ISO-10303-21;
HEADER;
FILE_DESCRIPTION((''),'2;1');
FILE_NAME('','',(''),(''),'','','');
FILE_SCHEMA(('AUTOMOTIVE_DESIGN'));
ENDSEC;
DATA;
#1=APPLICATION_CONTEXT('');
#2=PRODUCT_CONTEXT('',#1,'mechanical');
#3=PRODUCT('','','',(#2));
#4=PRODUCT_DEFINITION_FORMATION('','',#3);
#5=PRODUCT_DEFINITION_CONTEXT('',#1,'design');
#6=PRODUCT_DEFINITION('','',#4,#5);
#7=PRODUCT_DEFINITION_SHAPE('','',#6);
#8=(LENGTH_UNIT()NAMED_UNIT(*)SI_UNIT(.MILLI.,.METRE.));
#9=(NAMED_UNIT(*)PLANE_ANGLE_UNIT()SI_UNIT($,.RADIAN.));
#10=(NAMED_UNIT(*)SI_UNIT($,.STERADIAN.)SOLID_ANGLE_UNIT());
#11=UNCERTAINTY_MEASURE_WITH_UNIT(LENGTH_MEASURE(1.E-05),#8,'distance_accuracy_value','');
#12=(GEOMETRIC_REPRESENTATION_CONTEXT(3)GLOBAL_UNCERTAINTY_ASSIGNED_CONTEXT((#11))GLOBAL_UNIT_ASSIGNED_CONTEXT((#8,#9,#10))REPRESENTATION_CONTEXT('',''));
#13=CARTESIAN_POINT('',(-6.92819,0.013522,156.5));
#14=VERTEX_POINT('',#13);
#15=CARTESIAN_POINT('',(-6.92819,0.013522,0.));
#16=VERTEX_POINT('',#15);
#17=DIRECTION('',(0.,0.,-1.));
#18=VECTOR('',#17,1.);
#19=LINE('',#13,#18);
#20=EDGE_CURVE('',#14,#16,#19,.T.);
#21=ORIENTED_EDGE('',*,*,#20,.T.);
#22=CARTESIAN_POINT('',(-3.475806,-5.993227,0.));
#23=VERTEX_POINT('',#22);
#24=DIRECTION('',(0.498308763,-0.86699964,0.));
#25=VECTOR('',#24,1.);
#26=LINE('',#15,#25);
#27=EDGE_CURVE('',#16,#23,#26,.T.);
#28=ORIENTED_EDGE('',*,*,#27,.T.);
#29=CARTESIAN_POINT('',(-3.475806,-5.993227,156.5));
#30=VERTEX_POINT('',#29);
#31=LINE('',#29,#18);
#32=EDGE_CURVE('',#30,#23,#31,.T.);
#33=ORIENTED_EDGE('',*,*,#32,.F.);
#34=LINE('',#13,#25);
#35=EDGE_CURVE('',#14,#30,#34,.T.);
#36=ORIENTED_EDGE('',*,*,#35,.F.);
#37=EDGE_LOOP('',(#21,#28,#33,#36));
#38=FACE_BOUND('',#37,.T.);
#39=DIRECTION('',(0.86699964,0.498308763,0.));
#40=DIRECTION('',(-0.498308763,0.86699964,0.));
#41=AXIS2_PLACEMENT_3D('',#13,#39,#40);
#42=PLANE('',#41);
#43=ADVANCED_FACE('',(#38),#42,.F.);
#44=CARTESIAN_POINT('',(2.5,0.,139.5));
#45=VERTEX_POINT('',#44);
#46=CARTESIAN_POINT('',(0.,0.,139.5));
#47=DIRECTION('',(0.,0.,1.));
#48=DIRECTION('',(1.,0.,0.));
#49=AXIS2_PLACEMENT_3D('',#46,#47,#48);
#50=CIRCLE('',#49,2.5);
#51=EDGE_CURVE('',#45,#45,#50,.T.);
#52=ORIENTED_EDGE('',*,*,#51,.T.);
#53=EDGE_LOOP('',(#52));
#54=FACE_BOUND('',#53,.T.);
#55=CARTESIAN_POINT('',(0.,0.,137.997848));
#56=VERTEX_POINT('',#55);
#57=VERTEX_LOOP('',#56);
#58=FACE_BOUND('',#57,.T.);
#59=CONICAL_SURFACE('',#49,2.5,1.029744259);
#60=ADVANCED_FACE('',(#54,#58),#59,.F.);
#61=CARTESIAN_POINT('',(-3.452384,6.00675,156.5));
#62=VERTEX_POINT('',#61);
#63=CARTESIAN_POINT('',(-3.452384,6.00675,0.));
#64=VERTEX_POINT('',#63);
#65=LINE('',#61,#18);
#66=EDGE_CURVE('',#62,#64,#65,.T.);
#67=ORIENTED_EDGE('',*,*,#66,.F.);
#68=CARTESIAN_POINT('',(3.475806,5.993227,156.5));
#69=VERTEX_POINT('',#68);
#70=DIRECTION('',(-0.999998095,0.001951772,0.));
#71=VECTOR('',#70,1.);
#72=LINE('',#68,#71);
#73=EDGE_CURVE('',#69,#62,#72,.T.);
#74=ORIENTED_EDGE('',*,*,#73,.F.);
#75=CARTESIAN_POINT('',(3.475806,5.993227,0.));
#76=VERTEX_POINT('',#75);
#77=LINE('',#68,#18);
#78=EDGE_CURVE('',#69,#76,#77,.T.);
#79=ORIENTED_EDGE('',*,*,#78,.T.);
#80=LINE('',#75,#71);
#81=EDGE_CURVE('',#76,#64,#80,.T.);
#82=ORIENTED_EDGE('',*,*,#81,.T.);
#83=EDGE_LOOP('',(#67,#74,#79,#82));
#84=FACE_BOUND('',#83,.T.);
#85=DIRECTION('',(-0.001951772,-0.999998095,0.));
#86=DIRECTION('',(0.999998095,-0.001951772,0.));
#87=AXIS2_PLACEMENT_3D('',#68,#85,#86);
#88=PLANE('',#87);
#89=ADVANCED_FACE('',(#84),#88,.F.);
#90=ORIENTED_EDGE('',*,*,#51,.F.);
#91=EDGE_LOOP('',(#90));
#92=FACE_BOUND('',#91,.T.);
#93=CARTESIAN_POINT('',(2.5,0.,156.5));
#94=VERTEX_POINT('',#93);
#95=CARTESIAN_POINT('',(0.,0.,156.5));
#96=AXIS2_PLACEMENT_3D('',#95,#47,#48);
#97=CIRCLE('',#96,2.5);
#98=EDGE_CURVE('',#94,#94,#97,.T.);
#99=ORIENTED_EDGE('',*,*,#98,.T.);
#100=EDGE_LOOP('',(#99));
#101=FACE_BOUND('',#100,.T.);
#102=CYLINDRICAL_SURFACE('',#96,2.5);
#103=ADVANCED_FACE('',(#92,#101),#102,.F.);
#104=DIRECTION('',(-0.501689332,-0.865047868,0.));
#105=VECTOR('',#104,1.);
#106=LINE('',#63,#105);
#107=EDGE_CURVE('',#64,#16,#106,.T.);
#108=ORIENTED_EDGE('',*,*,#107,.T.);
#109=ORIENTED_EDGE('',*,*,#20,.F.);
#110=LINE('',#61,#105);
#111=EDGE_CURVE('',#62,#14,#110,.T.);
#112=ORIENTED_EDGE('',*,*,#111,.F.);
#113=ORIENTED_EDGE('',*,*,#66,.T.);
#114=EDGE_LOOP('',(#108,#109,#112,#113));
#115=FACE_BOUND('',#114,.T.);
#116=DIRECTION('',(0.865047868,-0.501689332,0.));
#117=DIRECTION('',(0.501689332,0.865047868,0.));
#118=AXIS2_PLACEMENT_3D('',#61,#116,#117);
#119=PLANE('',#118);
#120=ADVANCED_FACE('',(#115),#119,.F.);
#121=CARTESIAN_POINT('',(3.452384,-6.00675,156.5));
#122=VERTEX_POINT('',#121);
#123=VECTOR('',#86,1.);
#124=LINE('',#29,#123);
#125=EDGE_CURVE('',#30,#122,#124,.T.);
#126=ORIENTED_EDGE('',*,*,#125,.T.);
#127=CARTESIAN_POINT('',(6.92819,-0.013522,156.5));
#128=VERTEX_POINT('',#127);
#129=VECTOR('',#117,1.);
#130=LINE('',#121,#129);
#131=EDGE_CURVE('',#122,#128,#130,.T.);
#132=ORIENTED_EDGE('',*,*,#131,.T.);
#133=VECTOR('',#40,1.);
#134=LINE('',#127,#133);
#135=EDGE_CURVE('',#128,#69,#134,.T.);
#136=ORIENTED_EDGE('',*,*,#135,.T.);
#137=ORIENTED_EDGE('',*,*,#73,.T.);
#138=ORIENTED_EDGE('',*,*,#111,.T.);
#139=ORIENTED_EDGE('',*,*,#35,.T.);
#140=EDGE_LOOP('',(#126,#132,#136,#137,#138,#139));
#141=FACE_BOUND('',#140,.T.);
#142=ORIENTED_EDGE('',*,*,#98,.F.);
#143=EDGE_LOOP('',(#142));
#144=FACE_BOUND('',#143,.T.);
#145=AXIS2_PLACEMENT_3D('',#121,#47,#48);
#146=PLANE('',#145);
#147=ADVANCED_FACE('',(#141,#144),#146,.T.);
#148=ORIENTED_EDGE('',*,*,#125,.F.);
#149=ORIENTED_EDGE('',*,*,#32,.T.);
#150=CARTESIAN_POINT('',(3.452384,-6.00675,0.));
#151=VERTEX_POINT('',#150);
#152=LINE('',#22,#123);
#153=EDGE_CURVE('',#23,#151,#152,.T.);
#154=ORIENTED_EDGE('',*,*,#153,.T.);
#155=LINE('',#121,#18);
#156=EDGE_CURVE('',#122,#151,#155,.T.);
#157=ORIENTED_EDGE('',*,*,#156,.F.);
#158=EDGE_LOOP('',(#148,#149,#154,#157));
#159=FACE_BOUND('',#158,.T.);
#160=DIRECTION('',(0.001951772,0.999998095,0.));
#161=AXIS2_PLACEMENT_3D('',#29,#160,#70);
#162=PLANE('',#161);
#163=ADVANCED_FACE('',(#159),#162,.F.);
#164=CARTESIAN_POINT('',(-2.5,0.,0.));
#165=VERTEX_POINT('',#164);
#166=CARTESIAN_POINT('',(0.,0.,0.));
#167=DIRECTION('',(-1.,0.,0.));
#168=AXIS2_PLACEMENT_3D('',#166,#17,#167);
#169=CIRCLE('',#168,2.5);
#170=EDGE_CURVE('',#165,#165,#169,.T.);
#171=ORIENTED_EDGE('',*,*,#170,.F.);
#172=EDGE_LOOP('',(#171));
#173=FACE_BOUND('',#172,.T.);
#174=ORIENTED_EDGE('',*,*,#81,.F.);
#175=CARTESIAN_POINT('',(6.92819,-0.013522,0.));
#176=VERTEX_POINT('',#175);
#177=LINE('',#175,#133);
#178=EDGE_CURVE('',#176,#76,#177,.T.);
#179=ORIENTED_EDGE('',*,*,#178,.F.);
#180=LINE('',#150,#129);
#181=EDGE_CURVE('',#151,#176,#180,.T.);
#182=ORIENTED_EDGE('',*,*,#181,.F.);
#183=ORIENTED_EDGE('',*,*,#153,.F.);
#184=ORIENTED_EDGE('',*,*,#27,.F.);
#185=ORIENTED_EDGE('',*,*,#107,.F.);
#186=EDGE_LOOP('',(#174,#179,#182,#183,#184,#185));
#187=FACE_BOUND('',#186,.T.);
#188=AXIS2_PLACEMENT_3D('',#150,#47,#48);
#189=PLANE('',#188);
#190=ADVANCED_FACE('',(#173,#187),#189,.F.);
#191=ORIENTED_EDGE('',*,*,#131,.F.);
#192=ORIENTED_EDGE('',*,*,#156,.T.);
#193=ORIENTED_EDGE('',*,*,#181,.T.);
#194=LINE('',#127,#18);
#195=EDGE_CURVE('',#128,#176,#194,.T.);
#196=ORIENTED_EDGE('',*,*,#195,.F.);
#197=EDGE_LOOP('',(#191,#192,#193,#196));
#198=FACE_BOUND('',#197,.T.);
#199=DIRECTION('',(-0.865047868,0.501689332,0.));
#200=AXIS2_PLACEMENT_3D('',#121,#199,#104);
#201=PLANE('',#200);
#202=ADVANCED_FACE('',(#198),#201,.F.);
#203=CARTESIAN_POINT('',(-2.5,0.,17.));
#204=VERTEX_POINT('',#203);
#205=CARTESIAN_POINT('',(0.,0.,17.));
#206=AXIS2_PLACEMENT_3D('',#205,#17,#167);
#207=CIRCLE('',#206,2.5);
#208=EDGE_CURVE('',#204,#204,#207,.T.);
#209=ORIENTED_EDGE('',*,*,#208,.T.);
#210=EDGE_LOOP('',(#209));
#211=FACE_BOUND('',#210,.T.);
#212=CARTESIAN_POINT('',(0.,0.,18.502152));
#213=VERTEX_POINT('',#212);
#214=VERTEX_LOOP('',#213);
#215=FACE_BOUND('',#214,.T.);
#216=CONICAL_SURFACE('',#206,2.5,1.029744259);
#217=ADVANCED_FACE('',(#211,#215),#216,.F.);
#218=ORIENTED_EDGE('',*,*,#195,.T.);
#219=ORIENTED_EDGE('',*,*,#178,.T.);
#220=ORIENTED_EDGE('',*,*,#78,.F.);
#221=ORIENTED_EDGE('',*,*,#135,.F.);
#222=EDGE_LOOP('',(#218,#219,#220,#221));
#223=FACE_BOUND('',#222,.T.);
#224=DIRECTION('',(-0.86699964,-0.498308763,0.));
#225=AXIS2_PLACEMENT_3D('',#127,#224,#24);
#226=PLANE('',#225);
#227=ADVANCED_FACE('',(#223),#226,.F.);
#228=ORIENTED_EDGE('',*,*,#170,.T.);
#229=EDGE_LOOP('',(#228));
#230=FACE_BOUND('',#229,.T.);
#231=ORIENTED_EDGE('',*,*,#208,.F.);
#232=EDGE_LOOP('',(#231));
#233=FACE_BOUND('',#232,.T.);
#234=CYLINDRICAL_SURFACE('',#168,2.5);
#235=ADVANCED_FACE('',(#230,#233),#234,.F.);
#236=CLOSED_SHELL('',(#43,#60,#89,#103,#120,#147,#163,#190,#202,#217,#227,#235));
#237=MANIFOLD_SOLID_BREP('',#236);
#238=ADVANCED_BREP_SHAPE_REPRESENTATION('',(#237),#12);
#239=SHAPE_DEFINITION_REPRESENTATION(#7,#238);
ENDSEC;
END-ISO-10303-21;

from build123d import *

# Parameters (mm, degrees)
BOSS_EXTRUDE1_DEPTH       = 156.5
M6X1_0_TAPPED_HOLE1_D     = 5
M6X1_0_TAPPED_HOLE1_DEPTH = 17
M6X1_0_TAPPED_HOLE1_TIP   = 1.502151548
M6X1_0_TAPPED_HOLE2_D     = 5
M6X1_0_TAPPED_HOLE2_DEPTH = 17
M6X1_0_TAPPED_HOLE2_TIP   = 1.502151548


with BuildPart() as part:
    # Sketch1 → Boss-Extrude1 (new body)
    with BuildSketch(Plane.XY):
        Polygon((3.452384384, -6.006749709), (6.928190034, -0.013522274), (3.47580565, 5.993227435), (-3.452384384, 6.006749709), (-6.928190034, 0.013522274), (-3.47580565, -5.993227435), align=None)
    extrude(amount=BOSS_EXTRUDE1_DEPTH)

    # M6x1.0 Tapped Hole1
    with Locations(Plane.XY.offset(156.5)):
        with Locations((0, 0)):
            Hole(M6X1_0_TAPPED_HOLE1_D / 2, depth=M6X1_0_TAPPED_HOLE1_DEPTH)
            with Locations((0, 0, -(M6X1_0_TAPPED_HOLE1_DEPTH + M6X1_0_TAPPED_HOLE1_TIP / 2))):  # 118° drill point
                Cone(0, M6X1_0_TAPPED_HOLE1_D / 2, M6X1_0_TAPPED_HOLE1_TIP, mode=Mode.SUBTRACT)

    # M6x1.0 Tapped Hole2
    with Locations(Plane(origin=(0, 0, 0), x_dir=(-1, 0, 0), z_dir=(0, 0, -1))):
        with Locations((0, 0)):
            Hole(M6X1_0_TAPPED_HOLE2_D / 2, depth=M6X1_0_TAPPED_HOLE2_DEPTH)
            with Locations((0, 0, -(M6X1_0_TAPPED_HOLE2_DEPTH + M6X1_0_TAPPED_HOLE2_TIP / 2))):  # 118° drill point
                Cone(0, M6X1_0_TAPPED_HOLE2_D / 2, M6X1_0_TAPPED_HOLE2_TIP, mode=Mode.SUBTRACT)


solid = part.part
